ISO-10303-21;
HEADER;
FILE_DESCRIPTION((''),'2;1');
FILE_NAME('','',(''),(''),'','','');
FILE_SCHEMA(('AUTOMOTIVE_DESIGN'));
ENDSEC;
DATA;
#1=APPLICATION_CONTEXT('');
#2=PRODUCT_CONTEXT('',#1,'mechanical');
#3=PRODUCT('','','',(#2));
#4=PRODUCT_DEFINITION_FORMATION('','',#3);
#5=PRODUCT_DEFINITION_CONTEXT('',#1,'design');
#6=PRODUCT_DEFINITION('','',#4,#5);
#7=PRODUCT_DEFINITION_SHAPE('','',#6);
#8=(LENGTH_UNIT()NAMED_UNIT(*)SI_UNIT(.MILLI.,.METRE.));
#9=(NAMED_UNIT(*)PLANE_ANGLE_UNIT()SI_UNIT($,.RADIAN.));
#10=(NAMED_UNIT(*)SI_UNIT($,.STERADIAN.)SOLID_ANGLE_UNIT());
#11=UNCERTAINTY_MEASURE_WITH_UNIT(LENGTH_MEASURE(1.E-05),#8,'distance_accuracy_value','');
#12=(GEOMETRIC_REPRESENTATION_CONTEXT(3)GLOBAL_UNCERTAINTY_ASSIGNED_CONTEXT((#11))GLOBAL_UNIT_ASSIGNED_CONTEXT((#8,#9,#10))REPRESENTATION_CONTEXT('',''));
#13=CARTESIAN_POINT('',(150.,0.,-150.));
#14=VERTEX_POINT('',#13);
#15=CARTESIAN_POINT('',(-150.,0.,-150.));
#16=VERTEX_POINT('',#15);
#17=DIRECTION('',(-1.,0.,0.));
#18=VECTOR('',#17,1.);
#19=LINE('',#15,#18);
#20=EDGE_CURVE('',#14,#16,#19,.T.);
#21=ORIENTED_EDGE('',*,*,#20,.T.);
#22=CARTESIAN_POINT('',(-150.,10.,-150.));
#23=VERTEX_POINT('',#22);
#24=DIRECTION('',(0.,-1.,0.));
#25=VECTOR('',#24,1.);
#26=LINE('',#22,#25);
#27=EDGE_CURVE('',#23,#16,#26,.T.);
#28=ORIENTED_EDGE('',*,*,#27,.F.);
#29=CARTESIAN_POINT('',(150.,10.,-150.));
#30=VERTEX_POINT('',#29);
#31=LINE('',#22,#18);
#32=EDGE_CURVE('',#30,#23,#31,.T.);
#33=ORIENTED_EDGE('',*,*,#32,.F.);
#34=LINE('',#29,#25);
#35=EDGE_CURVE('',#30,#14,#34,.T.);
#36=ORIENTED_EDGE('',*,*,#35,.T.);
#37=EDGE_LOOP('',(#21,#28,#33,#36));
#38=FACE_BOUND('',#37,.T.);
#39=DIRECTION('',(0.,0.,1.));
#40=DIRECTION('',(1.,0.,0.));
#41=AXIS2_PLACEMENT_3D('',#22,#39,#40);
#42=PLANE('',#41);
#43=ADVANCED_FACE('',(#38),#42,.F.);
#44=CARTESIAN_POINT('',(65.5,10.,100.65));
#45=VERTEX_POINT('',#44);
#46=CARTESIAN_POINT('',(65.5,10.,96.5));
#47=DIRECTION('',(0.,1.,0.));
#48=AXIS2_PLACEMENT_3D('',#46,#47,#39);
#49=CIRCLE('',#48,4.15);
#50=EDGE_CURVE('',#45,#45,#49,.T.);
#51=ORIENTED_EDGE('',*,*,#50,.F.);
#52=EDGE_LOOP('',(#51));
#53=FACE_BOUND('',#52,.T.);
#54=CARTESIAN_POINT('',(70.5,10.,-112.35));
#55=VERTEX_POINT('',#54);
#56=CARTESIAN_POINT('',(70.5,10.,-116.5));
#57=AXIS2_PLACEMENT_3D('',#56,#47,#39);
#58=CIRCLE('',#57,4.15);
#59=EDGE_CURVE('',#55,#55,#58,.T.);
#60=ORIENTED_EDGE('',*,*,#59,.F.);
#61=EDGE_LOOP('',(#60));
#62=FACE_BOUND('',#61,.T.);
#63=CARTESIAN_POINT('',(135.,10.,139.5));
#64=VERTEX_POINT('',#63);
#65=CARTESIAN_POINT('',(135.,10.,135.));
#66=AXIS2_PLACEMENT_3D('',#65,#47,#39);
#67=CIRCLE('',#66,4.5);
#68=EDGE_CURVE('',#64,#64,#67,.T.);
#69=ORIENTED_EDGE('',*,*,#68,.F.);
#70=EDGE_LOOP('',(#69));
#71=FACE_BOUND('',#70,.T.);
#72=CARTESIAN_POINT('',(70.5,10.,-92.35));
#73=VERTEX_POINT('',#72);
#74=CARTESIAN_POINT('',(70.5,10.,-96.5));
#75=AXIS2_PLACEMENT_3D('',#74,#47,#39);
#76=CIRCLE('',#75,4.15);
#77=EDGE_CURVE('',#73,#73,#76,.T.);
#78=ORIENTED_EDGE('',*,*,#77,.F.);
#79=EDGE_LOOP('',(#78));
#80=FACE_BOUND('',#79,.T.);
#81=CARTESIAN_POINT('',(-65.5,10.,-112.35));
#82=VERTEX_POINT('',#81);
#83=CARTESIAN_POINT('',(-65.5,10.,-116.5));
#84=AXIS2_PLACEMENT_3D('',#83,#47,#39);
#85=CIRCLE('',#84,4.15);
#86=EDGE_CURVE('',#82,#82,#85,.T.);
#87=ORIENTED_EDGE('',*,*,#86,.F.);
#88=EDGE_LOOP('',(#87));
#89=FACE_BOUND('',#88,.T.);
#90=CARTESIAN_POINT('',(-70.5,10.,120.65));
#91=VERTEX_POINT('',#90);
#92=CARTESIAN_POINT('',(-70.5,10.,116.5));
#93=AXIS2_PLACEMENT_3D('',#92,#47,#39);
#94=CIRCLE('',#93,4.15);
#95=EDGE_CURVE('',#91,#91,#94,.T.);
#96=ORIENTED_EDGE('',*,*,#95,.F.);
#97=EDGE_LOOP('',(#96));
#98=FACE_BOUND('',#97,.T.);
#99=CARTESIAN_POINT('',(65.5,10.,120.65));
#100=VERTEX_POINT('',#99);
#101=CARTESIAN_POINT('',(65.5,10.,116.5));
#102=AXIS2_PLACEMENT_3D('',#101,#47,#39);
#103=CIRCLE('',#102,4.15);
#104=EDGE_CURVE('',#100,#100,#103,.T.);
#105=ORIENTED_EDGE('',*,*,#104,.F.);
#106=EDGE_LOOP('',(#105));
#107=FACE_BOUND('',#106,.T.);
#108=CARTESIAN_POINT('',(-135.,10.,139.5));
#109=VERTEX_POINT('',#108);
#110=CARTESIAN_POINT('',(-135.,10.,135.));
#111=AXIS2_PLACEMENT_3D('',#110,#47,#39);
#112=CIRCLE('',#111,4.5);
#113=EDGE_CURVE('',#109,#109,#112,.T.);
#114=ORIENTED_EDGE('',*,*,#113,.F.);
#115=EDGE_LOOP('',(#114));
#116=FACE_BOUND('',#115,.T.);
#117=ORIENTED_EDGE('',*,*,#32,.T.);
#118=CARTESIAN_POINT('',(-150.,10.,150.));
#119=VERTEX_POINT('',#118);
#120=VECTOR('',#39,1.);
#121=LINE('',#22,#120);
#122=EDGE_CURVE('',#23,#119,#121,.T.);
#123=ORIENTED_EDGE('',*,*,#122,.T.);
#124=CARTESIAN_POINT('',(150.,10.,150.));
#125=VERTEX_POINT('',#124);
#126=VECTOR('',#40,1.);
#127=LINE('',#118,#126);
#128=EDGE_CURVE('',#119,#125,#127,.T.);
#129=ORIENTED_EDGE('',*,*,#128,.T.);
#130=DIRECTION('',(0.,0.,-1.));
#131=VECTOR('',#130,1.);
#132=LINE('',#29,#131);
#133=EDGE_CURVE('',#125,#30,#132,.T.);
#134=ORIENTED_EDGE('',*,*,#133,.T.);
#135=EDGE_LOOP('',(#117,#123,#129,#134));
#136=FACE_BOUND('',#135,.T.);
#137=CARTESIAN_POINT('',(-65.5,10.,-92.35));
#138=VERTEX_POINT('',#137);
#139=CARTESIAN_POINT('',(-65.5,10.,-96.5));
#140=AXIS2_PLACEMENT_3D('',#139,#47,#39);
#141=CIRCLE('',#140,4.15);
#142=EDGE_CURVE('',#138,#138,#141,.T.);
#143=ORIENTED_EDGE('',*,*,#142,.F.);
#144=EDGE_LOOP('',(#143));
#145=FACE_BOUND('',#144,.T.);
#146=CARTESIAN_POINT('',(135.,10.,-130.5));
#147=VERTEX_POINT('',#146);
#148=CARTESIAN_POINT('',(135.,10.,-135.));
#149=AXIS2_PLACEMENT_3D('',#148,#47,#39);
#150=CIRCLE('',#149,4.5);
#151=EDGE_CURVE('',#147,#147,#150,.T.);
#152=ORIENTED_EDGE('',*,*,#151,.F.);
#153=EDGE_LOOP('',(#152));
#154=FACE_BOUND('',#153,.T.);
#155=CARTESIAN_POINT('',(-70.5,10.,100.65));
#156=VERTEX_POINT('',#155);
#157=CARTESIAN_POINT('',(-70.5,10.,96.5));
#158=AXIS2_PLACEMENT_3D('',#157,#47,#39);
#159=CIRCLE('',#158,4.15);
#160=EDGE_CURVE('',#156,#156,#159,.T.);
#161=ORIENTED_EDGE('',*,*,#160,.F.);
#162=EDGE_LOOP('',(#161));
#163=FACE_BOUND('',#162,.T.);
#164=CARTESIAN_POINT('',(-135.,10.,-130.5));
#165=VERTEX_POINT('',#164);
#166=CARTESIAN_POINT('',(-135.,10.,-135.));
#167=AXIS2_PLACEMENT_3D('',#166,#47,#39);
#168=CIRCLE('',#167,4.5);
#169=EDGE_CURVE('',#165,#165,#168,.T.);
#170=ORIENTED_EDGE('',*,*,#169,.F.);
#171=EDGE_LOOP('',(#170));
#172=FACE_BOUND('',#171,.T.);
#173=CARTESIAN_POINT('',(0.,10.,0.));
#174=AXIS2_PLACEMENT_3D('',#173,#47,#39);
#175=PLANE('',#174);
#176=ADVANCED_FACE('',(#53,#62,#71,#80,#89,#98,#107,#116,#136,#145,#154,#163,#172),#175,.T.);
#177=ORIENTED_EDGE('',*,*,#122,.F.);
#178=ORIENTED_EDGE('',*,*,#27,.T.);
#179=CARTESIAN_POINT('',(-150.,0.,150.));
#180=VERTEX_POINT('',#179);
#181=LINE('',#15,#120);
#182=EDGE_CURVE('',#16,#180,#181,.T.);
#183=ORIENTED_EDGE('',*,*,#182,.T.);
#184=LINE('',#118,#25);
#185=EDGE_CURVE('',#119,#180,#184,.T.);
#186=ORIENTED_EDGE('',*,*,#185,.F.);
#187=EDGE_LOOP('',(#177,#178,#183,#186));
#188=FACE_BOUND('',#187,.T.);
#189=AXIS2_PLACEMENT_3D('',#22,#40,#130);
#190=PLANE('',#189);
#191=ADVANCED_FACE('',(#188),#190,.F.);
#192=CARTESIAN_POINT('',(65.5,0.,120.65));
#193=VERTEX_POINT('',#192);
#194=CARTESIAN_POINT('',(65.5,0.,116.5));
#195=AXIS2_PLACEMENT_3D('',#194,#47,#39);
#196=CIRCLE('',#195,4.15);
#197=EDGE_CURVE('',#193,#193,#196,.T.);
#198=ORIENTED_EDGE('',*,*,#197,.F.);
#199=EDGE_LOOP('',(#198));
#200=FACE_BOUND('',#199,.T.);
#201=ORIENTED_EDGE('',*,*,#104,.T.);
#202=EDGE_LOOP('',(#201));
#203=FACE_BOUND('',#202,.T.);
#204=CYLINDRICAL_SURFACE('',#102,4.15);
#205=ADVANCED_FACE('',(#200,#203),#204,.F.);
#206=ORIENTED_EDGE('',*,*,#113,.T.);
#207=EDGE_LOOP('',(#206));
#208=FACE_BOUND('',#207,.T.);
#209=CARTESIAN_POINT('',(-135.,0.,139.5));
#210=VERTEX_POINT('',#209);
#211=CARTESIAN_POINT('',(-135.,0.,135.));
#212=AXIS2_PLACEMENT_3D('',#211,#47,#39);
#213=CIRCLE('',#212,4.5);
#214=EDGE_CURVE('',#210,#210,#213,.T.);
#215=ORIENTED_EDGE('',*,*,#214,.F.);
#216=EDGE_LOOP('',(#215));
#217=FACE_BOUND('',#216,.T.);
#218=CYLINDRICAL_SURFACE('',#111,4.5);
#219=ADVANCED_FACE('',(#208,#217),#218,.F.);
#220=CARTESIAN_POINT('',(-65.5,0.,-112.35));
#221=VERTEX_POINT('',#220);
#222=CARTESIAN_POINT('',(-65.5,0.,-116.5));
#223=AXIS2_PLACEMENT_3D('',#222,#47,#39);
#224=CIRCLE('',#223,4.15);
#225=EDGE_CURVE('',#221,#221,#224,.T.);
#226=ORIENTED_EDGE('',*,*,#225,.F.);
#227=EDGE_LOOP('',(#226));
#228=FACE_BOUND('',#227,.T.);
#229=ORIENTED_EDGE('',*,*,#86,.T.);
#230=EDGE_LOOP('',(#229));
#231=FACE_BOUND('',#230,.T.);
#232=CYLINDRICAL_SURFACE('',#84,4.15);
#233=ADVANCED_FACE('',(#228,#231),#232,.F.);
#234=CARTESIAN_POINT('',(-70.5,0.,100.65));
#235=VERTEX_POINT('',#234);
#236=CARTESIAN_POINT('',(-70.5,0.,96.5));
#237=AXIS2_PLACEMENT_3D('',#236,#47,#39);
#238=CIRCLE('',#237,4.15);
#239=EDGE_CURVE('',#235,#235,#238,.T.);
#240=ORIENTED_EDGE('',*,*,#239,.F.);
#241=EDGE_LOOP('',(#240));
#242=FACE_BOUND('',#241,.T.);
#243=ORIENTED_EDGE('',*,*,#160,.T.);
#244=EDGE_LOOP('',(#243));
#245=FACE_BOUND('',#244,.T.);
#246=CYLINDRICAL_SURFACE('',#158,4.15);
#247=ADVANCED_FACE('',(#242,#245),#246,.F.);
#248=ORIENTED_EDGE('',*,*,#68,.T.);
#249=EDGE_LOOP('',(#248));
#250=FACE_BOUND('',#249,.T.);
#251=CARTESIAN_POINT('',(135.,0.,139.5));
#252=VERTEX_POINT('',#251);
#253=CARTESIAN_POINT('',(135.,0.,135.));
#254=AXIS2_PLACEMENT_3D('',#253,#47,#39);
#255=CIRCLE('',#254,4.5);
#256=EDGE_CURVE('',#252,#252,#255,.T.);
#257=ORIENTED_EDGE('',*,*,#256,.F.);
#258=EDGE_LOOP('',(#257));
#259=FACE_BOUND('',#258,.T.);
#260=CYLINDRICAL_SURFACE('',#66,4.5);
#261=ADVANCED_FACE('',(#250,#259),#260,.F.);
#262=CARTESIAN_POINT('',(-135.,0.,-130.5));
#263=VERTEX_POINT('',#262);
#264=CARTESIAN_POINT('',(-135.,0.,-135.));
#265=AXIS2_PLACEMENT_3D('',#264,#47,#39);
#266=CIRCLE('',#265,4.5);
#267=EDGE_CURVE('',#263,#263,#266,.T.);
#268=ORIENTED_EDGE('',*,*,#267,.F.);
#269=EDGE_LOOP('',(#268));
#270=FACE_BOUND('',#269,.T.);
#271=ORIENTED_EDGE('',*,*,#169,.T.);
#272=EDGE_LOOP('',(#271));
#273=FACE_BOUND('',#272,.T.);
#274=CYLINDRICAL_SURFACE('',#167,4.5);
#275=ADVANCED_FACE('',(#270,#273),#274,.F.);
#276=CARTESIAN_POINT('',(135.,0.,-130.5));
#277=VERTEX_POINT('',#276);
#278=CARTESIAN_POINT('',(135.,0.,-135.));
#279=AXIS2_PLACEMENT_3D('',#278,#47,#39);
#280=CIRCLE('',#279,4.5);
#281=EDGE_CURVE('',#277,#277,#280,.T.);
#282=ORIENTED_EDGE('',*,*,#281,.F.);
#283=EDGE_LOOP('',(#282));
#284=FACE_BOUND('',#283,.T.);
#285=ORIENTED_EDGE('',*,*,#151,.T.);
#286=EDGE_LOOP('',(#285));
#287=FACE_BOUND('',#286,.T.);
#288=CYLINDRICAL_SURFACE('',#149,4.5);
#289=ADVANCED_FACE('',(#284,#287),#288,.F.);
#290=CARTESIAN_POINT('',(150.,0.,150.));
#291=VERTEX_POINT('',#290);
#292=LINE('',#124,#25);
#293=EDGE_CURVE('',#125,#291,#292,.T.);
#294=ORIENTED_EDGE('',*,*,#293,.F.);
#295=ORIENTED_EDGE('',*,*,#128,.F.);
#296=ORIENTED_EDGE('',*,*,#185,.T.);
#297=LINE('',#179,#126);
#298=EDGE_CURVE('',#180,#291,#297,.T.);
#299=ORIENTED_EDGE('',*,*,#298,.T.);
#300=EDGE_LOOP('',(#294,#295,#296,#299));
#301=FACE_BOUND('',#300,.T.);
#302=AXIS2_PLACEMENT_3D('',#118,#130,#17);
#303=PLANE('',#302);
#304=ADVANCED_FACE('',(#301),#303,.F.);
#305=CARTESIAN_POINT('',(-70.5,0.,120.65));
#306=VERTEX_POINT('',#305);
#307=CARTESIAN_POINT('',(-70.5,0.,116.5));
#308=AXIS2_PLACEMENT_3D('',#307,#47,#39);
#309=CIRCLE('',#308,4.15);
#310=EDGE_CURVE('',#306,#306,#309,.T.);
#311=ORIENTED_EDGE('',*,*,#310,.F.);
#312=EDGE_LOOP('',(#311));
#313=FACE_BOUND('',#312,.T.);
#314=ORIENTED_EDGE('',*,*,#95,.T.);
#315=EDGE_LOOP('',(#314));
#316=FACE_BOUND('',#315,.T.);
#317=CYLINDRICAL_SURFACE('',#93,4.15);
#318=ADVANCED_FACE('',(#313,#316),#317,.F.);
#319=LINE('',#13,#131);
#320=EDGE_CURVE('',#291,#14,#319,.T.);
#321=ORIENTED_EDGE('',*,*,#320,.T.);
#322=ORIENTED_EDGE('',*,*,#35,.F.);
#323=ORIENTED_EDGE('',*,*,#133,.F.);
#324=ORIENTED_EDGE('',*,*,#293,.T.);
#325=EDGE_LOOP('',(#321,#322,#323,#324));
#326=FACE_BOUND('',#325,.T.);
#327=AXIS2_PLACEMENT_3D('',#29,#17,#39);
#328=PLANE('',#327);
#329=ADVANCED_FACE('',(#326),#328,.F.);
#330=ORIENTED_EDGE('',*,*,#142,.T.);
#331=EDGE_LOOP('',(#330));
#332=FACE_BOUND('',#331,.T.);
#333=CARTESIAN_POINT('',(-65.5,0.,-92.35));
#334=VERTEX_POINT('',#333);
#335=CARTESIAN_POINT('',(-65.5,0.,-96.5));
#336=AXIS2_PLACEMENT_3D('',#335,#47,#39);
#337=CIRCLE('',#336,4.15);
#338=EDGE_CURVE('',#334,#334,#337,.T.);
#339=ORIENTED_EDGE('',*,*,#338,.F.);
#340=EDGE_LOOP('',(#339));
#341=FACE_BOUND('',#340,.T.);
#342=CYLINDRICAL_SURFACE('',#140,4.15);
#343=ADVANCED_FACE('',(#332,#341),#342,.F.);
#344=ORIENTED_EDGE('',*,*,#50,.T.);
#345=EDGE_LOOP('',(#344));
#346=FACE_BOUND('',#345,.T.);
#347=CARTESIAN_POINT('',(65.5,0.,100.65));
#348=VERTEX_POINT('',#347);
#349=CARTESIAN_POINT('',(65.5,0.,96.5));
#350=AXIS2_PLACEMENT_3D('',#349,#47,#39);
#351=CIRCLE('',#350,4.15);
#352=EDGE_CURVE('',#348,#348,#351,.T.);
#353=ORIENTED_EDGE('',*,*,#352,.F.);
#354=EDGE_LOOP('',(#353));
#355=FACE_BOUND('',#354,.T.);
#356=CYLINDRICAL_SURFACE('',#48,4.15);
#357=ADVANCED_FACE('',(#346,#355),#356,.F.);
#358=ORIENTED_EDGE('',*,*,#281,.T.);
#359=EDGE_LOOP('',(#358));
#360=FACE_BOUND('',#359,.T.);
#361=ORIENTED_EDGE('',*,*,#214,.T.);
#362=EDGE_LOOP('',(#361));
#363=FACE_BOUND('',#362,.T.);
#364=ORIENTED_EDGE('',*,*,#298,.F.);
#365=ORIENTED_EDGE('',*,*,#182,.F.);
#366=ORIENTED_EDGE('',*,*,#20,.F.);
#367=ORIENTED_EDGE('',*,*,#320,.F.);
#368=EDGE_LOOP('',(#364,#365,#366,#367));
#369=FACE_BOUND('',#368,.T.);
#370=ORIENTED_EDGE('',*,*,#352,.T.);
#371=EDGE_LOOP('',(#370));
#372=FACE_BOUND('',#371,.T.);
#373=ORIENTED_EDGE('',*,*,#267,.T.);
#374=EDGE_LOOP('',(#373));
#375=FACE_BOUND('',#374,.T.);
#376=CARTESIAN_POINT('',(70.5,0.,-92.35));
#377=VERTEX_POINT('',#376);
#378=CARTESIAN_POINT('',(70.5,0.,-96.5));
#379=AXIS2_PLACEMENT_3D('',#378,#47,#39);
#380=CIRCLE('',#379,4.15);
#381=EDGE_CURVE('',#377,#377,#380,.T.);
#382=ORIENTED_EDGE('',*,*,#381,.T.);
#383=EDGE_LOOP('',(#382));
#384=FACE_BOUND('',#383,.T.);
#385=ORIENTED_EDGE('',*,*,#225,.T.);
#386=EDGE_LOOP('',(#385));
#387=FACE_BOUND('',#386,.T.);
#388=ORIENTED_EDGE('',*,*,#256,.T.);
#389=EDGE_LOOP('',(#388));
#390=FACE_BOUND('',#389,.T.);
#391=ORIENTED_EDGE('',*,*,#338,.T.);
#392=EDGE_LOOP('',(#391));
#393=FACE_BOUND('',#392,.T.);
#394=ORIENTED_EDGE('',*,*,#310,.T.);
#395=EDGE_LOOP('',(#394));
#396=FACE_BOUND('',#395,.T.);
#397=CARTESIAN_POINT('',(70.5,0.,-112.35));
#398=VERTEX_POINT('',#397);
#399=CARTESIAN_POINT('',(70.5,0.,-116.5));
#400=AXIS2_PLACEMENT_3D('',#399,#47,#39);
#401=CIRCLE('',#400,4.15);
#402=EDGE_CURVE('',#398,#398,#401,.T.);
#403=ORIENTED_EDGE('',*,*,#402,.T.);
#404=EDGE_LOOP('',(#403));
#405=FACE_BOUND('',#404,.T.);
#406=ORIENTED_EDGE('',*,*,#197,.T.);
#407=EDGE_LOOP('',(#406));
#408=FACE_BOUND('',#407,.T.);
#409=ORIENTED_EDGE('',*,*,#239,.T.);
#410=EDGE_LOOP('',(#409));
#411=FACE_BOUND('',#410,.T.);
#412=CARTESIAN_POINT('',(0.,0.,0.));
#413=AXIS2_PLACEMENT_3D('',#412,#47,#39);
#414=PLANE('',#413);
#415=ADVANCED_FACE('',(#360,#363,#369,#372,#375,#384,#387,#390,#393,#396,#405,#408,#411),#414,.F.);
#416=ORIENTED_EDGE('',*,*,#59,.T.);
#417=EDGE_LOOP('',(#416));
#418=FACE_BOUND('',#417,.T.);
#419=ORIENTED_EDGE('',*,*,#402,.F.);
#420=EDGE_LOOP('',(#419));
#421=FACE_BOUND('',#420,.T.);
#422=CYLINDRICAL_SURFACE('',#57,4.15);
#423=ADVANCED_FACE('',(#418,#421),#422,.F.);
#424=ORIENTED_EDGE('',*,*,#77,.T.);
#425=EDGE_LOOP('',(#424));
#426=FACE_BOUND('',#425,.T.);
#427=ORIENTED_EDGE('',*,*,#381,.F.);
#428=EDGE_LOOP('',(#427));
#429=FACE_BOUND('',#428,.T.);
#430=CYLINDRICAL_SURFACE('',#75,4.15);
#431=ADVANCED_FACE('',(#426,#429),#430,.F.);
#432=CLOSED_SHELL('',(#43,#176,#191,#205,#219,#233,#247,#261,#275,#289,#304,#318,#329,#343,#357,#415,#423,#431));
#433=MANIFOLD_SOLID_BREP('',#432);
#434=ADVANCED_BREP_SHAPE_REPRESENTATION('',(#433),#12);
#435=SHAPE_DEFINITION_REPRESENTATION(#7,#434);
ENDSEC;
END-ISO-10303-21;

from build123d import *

# Parameters (mm, degrees)
SKETCH1_W                           = 300
SKETCH1_H                           = 300
BOSS_EXTRUDE1_DEPTH                 = 10
TAPPED_HOLE_FOR_M8X1_25_HELICOIL1_D = 8.3
M8_CLEARANCE_HOLE2_D                = 9


with BuildPart() as part:
    # Sketch1 → Boss-Extrude1 (new body)
    with BuildSketch(Plane(origin=(0, 0, 0), x_dir=(1, 0, 0), z_dir=(0, 1, 0))):
        Rectangle(SKETCH1_W, SKETCH1_H)
    extrude(amount=BOSS_EXTRUDE1_DEPTH)

    # Tapped Hole for M8x1.25 Helicoil1 (through all)
    with Locations(Plane(origin=(0, 10, 0), x_dir=(1, 0, 0), z_dir=(0, 1, 0))):
        with Locations((70.5, 116.5), (70.5, 96.5), (65.5, -96.5), (65.5, -116.5), (-65.5, 116.5), (-65.5, 96.5), (-70.5, -96.5), (-70.5, -116.5)):
            Hole(TAPPED_HOLE_FOR_M8X1_25_HELICOIL1_D / 2)

    # M8 Clearance Hole2 (through all)
    with Locations(Plane(origin=(0, 10, 0), x_dir=(1, 0, 0), z_dir=(0, 1, 0))):
        with Locations((-135, -135), (-135, 135), (135, 135), (135, -135)):
            Hole(M8_CLEARANCE_HOLE2_D / 2)


solid = part.part
